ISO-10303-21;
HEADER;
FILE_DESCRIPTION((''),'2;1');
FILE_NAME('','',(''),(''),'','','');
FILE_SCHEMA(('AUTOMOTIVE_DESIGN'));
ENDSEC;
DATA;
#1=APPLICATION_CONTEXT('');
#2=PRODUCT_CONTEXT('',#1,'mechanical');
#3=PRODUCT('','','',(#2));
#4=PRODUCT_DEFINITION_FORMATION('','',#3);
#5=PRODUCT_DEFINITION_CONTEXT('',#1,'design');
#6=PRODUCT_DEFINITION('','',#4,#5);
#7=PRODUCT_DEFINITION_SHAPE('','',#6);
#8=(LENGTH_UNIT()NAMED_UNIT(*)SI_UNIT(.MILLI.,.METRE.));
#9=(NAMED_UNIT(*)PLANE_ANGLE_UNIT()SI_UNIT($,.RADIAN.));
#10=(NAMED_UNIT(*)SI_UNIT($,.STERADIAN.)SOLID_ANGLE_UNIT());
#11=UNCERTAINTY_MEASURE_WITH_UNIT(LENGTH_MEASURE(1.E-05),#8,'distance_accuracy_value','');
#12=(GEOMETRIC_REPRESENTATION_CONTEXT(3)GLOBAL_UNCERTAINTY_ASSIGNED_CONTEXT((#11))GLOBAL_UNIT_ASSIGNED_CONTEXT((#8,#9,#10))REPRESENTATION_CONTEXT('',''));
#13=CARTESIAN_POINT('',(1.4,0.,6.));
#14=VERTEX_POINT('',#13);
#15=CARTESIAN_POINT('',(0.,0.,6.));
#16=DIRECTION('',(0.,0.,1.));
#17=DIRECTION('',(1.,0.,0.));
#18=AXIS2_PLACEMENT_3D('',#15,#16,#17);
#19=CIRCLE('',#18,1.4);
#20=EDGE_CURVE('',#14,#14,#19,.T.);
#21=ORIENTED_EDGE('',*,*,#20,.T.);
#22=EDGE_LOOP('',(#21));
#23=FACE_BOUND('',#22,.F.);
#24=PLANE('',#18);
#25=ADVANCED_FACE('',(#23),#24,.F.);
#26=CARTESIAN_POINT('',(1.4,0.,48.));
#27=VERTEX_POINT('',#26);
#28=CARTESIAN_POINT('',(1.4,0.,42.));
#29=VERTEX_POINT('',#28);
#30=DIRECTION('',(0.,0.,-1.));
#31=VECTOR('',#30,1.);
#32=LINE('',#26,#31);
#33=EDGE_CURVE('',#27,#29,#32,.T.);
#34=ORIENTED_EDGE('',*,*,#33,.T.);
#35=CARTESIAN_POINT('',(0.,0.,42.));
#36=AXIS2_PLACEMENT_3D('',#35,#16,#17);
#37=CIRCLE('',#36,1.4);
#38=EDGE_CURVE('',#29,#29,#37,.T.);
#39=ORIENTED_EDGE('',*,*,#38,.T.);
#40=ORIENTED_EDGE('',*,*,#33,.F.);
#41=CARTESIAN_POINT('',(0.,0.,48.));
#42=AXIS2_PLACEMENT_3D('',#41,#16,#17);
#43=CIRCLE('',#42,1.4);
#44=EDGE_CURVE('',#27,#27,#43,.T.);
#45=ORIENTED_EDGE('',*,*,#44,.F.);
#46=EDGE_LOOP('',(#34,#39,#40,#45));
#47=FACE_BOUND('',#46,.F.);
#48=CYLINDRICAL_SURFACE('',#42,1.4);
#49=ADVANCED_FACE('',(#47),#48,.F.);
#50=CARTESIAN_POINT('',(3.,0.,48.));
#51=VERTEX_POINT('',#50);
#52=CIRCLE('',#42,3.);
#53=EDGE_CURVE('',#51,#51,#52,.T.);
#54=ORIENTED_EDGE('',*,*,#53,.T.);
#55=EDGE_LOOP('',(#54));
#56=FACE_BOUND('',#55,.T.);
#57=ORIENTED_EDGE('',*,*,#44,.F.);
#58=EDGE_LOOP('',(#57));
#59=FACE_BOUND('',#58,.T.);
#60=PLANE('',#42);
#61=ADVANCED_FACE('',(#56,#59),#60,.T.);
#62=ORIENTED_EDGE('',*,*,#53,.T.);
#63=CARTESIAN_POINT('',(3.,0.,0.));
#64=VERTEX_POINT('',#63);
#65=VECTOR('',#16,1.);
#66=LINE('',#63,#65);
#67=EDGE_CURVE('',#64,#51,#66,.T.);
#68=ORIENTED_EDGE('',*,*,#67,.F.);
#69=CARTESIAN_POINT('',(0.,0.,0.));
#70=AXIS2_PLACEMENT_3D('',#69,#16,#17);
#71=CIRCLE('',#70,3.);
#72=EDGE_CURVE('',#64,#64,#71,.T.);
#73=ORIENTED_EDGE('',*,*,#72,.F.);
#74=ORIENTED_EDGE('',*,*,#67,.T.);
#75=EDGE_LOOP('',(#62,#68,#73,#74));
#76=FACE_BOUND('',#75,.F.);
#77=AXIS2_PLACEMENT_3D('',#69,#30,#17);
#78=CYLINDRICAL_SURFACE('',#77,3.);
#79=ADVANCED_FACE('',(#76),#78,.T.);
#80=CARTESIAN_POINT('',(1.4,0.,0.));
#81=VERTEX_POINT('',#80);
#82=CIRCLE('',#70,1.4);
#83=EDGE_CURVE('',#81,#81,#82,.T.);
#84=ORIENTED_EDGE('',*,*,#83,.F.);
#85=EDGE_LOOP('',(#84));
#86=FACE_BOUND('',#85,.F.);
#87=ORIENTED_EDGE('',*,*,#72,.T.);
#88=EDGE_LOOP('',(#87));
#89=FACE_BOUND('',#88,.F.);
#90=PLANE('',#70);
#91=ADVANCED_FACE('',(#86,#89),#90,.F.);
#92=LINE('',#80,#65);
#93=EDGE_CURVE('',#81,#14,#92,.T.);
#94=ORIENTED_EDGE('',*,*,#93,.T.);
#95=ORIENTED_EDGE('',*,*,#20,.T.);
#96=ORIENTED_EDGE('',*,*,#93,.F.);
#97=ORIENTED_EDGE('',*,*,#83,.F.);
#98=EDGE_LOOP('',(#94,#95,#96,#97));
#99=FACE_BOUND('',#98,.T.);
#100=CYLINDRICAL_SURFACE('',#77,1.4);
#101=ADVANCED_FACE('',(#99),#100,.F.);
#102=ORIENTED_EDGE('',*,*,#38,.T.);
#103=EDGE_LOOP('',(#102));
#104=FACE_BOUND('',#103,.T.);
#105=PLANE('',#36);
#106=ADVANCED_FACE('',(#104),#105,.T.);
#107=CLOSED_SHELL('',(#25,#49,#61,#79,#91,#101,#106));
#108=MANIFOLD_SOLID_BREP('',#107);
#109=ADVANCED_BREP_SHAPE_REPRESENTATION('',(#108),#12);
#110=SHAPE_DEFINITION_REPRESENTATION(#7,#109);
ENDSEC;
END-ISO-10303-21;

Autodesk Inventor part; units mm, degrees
ref_plane "YZ Plane" through (0, 0, 0) normal (1, 0, 0) x (0, 1, 0)
ref_plane "XZ Plane" through (0, 0, 0) normal (0, 1, 0) x (-1, 0, 0)
ref_plane "XY Plane" through (0, 0, 0) normal (0, 0, 1) x (1, 0, 0)
sketch "スケッチ1" plane through (0, 0, 0) normal (0, 0, 1) x (1, 0, 0)
  circle A0 centre (0, 0) radius 1.4
  circle A1 centre (0, 0) radius 3
  dimension "d0" = 2.8
  dimension "d1" = 6
extrude "押し出し1" add sketch "スケッチ1" along normal blind 48 contours A0 | A1
sketch "スケッチ2" plane through (0, 0, 48) normal (0, 0, 1) x (1, 0, 0)
  circle A0 centre (0, 0) radius 1.4
  dimension "d4" = 2.8
extrude "押し出し2" cut sketch "スケッチ2" against normal blind 6
extrude "押し出し3" cut sketch "スケッチ1" along normal blind 6 contours A0
properties part number "40mm" material "アルミニウム 6061"
